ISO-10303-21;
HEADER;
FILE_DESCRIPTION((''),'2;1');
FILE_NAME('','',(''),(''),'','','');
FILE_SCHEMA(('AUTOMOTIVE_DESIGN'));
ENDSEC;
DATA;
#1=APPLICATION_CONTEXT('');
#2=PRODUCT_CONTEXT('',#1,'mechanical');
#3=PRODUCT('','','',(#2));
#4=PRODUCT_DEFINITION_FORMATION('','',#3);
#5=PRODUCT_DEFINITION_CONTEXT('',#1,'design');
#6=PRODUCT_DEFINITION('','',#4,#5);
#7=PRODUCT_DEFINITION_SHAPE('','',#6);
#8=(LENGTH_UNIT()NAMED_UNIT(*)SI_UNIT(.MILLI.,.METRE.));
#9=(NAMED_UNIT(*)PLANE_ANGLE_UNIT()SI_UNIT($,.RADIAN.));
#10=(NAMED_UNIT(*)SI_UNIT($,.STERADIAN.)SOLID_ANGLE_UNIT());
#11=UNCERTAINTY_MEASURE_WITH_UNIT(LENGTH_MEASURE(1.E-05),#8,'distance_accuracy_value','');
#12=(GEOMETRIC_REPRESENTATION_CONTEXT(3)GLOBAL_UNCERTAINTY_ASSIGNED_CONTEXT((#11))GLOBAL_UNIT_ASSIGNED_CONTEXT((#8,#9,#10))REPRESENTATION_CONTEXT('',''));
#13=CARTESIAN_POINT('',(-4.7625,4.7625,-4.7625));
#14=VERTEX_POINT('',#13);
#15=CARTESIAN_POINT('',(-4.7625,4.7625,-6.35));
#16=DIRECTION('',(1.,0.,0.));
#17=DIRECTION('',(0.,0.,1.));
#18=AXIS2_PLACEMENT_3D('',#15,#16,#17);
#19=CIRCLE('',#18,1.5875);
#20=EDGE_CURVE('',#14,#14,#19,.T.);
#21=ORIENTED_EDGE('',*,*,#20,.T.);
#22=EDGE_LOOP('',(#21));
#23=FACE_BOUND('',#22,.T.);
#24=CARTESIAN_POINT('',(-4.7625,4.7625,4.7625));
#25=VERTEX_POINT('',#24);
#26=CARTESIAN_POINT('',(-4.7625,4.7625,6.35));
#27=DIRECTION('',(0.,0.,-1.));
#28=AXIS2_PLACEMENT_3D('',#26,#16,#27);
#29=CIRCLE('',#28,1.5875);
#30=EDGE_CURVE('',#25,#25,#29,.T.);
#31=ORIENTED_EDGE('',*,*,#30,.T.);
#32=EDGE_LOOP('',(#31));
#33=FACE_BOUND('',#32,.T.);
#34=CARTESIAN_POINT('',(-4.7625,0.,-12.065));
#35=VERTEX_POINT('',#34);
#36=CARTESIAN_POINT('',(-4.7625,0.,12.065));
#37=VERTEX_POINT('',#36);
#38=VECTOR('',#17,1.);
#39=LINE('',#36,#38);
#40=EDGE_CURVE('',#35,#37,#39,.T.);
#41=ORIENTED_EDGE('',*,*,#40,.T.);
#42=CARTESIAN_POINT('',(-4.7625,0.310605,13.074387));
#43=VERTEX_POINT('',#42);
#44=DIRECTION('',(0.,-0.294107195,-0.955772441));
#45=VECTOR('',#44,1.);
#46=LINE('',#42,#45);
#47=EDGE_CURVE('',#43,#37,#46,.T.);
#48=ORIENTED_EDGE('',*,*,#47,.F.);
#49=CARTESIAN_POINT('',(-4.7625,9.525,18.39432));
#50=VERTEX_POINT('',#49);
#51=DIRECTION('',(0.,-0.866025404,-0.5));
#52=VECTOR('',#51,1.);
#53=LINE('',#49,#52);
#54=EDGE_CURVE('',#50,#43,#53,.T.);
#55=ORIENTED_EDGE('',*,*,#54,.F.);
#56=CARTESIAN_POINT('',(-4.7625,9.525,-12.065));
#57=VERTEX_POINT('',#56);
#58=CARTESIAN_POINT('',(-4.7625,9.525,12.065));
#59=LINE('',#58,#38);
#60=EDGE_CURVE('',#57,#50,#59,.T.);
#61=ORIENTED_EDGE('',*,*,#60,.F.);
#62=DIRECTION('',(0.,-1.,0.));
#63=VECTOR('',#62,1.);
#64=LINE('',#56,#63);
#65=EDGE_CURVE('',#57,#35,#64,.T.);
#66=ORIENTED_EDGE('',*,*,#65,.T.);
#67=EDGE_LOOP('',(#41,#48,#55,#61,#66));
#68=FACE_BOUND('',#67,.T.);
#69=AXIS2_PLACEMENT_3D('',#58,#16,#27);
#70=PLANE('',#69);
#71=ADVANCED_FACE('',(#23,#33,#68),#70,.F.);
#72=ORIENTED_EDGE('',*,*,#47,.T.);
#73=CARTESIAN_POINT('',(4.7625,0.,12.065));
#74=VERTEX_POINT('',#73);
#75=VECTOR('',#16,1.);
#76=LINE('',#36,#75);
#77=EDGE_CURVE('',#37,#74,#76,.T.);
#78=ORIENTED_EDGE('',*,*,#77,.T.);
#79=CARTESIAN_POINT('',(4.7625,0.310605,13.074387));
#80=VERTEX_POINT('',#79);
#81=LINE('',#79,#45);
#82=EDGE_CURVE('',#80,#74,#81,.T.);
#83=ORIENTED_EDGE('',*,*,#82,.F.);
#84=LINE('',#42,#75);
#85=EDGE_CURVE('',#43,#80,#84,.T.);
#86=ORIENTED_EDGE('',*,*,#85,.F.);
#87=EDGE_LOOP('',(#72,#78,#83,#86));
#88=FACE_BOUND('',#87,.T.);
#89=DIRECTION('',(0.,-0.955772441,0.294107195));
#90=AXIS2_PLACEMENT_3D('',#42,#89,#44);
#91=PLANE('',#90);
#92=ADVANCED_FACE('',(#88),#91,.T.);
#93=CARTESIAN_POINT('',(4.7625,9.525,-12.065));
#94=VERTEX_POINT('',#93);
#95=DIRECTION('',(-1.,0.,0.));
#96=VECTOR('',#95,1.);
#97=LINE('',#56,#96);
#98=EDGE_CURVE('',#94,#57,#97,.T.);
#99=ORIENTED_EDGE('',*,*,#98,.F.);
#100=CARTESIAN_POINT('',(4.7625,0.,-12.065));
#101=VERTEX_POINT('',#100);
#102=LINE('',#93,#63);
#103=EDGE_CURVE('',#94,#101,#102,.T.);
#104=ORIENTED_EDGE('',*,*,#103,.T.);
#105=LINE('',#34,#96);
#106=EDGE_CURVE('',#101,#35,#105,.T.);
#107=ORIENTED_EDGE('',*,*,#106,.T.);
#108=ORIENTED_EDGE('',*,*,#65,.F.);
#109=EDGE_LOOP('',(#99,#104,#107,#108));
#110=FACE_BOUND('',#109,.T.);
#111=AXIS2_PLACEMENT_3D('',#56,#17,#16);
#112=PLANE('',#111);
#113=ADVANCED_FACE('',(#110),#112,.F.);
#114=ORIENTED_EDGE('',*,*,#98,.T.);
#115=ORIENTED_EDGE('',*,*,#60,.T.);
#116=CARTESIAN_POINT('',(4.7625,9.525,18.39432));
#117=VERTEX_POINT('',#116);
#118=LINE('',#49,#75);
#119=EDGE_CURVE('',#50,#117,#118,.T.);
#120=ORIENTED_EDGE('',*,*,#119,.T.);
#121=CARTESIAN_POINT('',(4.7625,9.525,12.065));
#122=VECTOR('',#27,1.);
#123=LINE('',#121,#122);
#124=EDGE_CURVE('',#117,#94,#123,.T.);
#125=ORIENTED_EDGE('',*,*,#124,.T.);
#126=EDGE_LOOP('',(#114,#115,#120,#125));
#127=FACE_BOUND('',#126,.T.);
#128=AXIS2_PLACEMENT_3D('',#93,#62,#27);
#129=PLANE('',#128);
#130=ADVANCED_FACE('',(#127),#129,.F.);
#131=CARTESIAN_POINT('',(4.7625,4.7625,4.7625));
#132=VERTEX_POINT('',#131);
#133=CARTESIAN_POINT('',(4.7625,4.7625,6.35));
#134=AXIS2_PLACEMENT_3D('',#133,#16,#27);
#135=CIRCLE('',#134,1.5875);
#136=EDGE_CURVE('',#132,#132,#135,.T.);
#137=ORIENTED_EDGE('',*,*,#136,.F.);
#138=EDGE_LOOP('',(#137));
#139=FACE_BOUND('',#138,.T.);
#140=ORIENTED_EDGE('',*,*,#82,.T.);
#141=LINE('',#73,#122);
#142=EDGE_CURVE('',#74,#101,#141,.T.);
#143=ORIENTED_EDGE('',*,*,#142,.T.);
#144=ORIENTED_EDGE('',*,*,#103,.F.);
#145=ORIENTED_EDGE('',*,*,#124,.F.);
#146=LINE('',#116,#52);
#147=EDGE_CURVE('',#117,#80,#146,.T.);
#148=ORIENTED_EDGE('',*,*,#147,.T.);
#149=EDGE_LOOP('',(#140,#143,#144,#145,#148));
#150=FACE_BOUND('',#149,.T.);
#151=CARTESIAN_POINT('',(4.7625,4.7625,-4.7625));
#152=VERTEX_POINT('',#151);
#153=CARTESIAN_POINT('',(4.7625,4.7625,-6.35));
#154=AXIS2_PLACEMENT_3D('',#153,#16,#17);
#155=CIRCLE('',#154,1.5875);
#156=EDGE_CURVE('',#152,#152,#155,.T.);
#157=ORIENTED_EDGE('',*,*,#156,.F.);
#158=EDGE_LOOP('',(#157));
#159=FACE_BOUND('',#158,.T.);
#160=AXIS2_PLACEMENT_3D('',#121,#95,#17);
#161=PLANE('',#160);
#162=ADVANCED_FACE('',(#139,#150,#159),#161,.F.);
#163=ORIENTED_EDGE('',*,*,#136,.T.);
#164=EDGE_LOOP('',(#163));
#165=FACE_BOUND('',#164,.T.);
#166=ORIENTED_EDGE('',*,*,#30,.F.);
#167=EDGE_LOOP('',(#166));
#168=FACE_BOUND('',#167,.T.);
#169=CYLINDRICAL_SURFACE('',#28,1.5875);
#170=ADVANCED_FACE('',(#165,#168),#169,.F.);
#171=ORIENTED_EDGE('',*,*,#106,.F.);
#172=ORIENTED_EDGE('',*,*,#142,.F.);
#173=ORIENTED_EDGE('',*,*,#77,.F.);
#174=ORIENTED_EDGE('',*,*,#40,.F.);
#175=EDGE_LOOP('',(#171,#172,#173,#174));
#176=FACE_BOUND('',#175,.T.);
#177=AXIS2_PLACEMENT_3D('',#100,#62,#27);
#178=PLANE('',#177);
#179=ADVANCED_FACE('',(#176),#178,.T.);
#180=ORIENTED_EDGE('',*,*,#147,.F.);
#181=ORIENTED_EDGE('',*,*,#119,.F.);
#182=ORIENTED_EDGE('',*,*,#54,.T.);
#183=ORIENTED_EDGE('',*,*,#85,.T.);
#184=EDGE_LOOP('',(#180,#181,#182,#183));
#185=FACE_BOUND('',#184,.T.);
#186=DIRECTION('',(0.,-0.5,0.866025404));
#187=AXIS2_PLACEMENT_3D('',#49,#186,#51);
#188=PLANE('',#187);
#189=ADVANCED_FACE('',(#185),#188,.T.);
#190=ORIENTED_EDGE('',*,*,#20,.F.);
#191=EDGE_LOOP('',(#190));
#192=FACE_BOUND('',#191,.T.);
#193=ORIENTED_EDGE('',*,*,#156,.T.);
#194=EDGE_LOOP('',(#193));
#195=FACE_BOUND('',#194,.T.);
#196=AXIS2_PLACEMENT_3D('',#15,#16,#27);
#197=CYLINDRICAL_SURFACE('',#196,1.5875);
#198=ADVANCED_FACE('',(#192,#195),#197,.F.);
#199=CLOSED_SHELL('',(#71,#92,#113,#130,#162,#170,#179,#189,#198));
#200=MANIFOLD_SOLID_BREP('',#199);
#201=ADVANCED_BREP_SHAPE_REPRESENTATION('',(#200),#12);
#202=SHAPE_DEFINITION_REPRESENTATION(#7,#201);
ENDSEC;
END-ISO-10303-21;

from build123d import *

# Parameters (mm, degrees)
SKETCH1_W      = 9.525
SKETCH1_H      = 24.13
EXTRUDE1_DEPTH = 9.525
SKETCH2_R      = 1.5875
EXTRUDE2_DEPTH = 10.525
EXTRUDE3_DEPTH = 9.525


with BuildPart() as part:
    # Sketch1 → Extrude1 (new body)
    with BuildSketch(Plane(origin=(0, 0, 0), x_dir=(1, 0, 0), z_dir=(0, 1, 0))):
        Rectangle(SKETCH1_W, SKETCH1_H)
    extrude(amount=EXTRUDE1_DEPTH)

    # Sketch2 → Extrude2 (cut, through all)
    with BuildSketch(Plane(origin=(4.7625, 0, 0), x_dir=(0, 0, -1), z_dir=(1, 0, 0))):
        with Locations((-6.35, 4.7625)):
            Circle(SKETCH2_R)
        with Locations(Location((6.35, 4.7625, 0), (0, 0, 180))):  # turned: the seam where the file's is
            Circle(SKETCH2_R)
    extrude(amount=-EXTRUDE2_DEPTH, mode=Mode.SUBTRACT)

    # Sketch3 → Extrude3 (add, through all)
    with BuildSketch(Plane(origin=(4.7625, 0, 0), x_dir=(0, 0, -1), z_dir=(1, 0, 0))):
        Polygon((-12.065, 9.525), (-18.394320409, 9.525), (-13.074387176, 0.310605347), (-12.065, 0), align=None)
    extrude(amount=-EXTRUDE3_DEPTH)


solid = part.part
